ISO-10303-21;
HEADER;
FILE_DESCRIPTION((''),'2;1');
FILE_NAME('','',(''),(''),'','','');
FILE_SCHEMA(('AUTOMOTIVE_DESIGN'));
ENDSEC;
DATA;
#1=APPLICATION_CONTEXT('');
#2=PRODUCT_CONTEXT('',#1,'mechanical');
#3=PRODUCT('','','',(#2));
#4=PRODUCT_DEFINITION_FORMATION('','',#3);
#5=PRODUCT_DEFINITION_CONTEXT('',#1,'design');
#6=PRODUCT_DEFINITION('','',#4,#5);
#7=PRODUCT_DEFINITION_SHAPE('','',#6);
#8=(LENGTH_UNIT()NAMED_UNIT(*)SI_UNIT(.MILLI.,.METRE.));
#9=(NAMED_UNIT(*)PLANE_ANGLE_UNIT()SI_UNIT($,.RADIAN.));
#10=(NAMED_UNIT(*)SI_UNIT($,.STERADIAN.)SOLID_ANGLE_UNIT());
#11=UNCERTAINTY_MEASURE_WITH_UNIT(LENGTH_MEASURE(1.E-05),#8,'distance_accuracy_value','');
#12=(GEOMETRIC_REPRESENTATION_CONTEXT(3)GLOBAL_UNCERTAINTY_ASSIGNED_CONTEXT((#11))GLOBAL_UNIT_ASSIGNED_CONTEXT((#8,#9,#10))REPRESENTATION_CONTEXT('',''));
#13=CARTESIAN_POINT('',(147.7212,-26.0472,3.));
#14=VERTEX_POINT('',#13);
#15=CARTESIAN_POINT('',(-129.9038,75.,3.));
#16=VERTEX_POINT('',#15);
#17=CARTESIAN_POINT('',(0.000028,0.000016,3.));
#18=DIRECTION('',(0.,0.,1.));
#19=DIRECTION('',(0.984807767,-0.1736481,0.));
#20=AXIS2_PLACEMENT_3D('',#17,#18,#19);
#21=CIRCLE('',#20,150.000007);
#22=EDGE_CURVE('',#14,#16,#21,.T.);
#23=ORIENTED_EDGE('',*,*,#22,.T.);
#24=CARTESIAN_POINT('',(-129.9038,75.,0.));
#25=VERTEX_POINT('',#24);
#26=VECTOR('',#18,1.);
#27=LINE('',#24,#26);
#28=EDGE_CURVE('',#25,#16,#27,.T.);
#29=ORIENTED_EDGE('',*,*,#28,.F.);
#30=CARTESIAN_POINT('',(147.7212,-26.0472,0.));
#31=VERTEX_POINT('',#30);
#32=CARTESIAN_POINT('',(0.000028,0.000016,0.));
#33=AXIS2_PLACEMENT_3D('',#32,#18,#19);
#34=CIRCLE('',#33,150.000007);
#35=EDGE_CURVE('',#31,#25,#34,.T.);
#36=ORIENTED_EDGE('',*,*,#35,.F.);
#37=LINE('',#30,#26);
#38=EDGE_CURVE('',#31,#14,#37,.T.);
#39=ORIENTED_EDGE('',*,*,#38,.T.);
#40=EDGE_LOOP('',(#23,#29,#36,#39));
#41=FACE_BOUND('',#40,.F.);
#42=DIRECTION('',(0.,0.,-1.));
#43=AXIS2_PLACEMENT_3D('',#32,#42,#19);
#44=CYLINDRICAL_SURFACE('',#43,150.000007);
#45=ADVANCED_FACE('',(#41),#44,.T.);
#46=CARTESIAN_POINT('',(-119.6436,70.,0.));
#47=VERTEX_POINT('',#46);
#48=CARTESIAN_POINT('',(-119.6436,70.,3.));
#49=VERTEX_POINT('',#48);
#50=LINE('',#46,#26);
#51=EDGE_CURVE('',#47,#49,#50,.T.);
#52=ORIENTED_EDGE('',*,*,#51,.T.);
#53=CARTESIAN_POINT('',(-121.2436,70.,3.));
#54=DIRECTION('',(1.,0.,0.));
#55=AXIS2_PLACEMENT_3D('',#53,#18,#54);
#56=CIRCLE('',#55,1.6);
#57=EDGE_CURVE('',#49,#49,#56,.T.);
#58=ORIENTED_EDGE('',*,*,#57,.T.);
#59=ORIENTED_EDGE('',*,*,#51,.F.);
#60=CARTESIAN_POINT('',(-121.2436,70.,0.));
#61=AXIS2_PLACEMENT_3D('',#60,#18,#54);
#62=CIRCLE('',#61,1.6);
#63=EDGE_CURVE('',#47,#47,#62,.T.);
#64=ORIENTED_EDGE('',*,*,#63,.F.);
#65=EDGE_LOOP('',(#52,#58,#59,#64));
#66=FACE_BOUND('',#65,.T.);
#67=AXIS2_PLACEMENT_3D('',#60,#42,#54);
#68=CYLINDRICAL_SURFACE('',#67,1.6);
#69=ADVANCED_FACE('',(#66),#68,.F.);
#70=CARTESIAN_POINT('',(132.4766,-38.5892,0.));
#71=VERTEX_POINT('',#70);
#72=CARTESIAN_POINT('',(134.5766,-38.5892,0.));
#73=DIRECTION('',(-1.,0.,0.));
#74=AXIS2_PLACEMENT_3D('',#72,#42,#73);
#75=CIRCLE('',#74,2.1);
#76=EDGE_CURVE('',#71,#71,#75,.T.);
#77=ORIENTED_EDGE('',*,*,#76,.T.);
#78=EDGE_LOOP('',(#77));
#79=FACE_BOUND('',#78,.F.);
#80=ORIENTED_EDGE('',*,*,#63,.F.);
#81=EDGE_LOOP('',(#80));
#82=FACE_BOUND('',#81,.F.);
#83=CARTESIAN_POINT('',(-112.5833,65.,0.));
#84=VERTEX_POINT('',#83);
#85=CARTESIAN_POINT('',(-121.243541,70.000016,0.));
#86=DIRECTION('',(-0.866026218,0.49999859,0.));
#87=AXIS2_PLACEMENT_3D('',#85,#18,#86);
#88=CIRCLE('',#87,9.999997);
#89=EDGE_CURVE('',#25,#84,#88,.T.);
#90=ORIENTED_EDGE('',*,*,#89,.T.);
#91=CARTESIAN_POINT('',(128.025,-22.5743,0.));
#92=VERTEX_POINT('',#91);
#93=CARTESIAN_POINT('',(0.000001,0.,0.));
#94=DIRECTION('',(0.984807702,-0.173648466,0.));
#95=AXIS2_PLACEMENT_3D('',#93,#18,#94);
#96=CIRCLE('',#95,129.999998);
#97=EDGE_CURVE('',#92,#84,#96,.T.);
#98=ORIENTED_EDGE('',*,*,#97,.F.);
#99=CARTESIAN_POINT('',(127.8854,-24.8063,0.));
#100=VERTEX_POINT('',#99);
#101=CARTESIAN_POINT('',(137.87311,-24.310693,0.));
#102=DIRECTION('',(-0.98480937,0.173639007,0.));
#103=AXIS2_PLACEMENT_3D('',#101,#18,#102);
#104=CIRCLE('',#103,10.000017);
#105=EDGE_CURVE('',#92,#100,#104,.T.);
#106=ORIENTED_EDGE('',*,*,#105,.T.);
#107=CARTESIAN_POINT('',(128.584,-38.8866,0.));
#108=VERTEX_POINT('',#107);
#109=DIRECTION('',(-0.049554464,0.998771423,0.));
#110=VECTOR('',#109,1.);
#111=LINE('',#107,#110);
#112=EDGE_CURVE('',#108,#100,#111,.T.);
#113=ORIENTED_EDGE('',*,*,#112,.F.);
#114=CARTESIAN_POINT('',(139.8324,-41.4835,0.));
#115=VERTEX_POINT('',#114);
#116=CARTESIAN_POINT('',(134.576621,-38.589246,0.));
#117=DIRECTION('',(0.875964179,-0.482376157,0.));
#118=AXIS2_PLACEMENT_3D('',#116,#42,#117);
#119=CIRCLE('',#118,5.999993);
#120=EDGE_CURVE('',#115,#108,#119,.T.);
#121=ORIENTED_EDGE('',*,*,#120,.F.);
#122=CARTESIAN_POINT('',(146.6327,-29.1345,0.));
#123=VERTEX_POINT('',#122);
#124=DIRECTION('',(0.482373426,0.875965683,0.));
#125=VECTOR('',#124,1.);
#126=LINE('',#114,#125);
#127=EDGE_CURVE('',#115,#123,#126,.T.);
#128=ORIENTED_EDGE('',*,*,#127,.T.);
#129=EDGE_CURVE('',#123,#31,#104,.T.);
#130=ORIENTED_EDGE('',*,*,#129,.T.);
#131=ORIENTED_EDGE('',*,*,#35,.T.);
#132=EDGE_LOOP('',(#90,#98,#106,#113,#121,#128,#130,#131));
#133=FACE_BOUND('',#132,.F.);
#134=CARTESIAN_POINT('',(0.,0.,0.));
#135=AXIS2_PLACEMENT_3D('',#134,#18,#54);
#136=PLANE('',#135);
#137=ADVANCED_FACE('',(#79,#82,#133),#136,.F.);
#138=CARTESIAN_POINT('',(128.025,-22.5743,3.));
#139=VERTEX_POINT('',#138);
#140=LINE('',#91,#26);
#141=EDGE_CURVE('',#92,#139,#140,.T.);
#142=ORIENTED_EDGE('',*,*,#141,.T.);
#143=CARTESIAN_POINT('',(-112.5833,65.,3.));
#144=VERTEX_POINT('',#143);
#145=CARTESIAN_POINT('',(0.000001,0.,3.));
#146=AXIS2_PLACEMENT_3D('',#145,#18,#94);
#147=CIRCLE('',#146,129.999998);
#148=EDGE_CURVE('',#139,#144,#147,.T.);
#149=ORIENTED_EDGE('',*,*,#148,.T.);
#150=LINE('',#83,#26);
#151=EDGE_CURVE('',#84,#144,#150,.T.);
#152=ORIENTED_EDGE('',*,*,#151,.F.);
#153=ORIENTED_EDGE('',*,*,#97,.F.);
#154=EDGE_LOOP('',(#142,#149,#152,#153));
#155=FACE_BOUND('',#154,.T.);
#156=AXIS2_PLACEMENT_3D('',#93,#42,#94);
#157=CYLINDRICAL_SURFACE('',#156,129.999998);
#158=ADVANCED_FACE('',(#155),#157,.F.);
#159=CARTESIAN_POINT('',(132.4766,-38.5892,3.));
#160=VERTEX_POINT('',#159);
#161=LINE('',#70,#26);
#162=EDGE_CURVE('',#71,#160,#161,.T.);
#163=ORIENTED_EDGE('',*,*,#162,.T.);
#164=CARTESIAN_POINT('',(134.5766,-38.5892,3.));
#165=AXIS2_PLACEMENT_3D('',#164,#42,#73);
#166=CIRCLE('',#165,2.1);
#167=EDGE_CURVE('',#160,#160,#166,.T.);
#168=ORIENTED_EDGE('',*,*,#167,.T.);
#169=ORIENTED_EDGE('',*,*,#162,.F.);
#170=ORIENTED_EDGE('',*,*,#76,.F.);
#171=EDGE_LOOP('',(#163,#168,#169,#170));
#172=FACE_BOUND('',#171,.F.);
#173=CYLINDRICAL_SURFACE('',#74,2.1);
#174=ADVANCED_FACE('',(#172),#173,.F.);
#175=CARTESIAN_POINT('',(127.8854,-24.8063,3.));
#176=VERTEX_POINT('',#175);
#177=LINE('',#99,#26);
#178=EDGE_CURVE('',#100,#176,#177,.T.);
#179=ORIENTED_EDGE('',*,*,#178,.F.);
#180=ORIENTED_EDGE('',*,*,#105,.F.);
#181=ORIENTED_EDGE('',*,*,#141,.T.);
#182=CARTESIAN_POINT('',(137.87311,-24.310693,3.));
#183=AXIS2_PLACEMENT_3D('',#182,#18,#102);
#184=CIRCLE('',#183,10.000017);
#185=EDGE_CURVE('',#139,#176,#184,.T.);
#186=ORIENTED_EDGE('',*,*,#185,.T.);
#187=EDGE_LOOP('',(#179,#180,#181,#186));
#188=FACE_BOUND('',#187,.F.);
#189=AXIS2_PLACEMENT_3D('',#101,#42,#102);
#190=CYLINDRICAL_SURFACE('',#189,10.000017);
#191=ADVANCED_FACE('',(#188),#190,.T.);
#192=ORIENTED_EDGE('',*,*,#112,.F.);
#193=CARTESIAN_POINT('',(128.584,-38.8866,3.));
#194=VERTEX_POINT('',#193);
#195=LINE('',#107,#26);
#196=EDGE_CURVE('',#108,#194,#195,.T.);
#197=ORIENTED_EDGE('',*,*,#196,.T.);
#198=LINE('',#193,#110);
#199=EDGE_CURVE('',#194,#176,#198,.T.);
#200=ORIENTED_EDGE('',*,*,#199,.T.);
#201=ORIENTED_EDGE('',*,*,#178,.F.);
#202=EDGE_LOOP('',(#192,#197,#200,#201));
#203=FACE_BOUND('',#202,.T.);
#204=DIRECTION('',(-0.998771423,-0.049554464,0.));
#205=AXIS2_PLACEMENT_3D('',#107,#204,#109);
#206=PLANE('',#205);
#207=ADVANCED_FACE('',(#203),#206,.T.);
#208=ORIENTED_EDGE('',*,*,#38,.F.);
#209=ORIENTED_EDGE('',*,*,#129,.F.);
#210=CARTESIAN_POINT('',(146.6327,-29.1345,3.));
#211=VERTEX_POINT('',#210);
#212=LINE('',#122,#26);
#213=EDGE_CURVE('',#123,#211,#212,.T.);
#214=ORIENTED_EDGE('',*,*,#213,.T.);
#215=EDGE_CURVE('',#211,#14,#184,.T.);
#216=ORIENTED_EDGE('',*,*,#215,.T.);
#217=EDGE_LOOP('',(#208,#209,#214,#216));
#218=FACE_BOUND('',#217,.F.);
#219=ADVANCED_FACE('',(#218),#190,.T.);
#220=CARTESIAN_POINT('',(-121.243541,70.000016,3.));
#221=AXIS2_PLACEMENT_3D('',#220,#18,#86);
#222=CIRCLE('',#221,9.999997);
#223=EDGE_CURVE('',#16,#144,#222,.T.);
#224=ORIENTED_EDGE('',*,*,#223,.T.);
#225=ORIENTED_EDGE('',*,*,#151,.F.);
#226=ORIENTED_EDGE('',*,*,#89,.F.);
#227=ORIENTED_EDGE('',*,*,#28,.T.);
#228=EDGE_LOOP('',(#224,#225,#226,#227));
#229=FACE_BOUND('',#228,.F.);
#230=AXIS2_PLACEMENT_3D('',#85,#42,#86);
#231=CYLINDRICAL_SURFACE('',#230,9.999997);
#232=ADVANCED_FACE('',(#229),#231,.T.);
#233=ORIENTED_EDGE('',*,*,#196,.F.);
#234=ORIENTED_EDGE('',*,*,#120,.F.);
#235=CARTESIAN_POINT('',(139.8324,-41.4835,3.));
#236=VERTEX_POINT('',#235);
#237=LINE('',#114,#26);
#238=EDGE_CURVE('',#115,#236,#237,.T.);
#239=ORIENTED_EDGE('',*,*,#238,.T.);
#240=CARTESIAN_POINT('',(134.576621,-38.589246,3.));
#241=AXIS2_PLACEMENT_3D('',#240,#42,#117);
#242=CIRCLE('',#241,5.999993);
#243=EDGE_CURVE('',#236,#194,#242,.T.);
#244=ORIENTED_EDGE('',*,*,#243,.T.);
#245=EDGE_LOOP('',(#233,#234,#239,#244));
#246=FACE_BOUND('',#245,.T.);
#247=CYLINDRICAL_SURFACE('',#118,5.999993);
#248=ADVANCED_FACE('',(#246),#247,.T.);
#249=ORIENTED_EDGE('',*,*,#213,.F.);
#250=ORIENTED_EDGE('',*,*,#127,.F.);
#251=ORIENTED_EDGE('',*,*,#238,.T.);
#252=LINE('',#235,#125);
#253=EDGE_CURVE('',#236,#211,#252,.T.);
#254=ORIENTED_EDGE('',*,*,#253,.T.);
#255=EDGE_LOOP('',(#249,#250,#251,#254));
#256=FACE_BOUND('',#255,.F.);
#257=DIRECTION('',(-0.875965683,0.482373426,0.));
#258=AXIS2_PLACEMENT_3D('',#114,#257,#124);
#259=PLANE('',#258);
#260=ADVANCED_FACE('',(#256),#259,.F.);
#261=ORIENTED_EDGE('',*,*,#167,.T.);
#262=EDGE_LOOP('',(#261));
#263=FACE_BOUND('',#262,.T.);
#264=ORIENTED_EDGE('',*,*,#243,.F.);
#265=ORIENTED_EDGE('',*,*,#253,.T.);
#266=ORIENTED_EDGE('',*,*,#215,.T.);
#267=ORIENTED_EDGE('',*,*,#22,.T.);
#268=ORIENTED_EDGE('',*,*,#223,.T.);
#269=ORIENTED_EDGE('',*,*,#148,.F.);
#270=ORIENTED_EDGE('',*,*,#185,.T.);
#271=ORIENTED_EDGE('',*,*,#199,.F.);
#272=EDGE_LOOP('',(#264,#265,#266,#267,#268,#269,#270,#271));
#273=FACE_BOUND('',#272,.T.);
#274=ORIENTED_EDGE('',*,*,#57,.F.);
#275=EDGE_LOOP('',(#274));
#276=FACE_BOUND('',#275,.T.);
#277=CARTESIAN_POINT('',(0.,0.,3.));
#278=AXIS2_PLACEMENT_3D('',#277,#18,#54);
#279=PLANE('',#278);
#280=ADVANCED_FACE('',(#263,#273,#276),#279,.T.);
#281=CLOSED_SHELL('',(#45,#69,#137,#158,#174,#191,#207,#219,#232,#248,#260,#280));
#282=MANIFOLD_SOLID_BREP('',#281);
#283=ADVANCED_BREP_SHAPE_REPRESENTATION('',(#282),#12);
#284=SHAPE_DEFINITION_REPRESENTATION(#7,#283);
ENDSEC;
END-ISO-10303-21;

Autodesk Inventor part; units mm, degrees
ref_plane "YZ Plane" through (0, 0, 0) normal (1, 0, 0) x (0, 1, 0)
ref_plane "XZ Plane" through (0, 0, 0) normal (0, 1, 0) x (-1, 0, 0)
ref_plane "XY Plane" through (0, 0, 0) normal (0, 0, 1) x (1, 0, 0)
sketch "スケッチ1" plane through (0, 0, 0) normal (0, 0, 1) x (1, 0, 0)
  arc A0 (137.8731, -24.3107) -> (-121.2436, 70) centre (0, 0) ccw construction
  arc A1 (147.7212, -26.0472) -> (-129.9038, 75) centre (0, 0) ccw
  arc A2 (128.025, -22.5743) -> (-112.5833, 65) centre (0, 0) ccw
  arc A3 (128.025, -22.5743) -> (147.7212, -26.0472) centre (137.8731, -24.3107) ccw
  arc A4 (-129.9038, 75) -> (-112.5833, 65) centre (-121.2436, 70) ccw
  line L0 (0, 0) -> (0, 140) construction
  circle A5 centre (-121.2436, 70) radius 1.6
  dimension "d0" = 140
  dimension "d1" = 10
  dimension "d4" = 60
  dimension "d5" = 100
  dimension "d6" = 3.2
extrude "押し出し1" add sketch "スケッチ1" along normal blind 3
sketch "スケッチ2" plane through (0, 0, 0) normal (0, 0, -1) x (-1, 0, 0)
  arc A0 (129.9038, 75) -> (-147.7212, -26.0472) centre (0, 0) ccw projected
  arc A1 (-147.7212, -26.0472) -> (-128.025, -22.5743) centre (-137.8731, -24.3107) ccw projected
  arc A2 (112.5833, 65) -> (-128.025, -22.5743) centre (0, 0) ccw projected
  arc A3 (112.5833, 65) -> (129.9038, 75) centre (121.2436, 70) ccw projected
  arc A4 (-137.8731, -24.3107) -> (-134.5766, -38.5892) centre (0, 0) ccw construction
  arc A5 (-139.8324, -41.4835) -> (-128.584, -38.8866) centre (-134.5766, -38.5892) ccw
  line L0 (0, 0) -> (-134.5766, -38.5892) construction
  line L1 (0, 0) -> (-137.8731, -24.3107) construction
  line L2 (-139.8324, -41.4835) -> (-146.6327, -29.1345)
  line L3 (-128.584, -38.8866) -> (-127.8854, -24.8063)
  arc A6 (-147.7212, -26.0472) -> (-128.025, -22.5743) centre (-137.8731, -24.3107) ccw projected
  circle A7 centre (-134.5766, -38.5892) radius 2.1
  dimension "d7" = 6
  dimension "d9" = 6
  dimension "d10" = 4.2
extrude "押し出し2" add sketch "スケッチ2" against normal blind 3 contours A1 L3 A5 L2
properties part number "RailWay"
